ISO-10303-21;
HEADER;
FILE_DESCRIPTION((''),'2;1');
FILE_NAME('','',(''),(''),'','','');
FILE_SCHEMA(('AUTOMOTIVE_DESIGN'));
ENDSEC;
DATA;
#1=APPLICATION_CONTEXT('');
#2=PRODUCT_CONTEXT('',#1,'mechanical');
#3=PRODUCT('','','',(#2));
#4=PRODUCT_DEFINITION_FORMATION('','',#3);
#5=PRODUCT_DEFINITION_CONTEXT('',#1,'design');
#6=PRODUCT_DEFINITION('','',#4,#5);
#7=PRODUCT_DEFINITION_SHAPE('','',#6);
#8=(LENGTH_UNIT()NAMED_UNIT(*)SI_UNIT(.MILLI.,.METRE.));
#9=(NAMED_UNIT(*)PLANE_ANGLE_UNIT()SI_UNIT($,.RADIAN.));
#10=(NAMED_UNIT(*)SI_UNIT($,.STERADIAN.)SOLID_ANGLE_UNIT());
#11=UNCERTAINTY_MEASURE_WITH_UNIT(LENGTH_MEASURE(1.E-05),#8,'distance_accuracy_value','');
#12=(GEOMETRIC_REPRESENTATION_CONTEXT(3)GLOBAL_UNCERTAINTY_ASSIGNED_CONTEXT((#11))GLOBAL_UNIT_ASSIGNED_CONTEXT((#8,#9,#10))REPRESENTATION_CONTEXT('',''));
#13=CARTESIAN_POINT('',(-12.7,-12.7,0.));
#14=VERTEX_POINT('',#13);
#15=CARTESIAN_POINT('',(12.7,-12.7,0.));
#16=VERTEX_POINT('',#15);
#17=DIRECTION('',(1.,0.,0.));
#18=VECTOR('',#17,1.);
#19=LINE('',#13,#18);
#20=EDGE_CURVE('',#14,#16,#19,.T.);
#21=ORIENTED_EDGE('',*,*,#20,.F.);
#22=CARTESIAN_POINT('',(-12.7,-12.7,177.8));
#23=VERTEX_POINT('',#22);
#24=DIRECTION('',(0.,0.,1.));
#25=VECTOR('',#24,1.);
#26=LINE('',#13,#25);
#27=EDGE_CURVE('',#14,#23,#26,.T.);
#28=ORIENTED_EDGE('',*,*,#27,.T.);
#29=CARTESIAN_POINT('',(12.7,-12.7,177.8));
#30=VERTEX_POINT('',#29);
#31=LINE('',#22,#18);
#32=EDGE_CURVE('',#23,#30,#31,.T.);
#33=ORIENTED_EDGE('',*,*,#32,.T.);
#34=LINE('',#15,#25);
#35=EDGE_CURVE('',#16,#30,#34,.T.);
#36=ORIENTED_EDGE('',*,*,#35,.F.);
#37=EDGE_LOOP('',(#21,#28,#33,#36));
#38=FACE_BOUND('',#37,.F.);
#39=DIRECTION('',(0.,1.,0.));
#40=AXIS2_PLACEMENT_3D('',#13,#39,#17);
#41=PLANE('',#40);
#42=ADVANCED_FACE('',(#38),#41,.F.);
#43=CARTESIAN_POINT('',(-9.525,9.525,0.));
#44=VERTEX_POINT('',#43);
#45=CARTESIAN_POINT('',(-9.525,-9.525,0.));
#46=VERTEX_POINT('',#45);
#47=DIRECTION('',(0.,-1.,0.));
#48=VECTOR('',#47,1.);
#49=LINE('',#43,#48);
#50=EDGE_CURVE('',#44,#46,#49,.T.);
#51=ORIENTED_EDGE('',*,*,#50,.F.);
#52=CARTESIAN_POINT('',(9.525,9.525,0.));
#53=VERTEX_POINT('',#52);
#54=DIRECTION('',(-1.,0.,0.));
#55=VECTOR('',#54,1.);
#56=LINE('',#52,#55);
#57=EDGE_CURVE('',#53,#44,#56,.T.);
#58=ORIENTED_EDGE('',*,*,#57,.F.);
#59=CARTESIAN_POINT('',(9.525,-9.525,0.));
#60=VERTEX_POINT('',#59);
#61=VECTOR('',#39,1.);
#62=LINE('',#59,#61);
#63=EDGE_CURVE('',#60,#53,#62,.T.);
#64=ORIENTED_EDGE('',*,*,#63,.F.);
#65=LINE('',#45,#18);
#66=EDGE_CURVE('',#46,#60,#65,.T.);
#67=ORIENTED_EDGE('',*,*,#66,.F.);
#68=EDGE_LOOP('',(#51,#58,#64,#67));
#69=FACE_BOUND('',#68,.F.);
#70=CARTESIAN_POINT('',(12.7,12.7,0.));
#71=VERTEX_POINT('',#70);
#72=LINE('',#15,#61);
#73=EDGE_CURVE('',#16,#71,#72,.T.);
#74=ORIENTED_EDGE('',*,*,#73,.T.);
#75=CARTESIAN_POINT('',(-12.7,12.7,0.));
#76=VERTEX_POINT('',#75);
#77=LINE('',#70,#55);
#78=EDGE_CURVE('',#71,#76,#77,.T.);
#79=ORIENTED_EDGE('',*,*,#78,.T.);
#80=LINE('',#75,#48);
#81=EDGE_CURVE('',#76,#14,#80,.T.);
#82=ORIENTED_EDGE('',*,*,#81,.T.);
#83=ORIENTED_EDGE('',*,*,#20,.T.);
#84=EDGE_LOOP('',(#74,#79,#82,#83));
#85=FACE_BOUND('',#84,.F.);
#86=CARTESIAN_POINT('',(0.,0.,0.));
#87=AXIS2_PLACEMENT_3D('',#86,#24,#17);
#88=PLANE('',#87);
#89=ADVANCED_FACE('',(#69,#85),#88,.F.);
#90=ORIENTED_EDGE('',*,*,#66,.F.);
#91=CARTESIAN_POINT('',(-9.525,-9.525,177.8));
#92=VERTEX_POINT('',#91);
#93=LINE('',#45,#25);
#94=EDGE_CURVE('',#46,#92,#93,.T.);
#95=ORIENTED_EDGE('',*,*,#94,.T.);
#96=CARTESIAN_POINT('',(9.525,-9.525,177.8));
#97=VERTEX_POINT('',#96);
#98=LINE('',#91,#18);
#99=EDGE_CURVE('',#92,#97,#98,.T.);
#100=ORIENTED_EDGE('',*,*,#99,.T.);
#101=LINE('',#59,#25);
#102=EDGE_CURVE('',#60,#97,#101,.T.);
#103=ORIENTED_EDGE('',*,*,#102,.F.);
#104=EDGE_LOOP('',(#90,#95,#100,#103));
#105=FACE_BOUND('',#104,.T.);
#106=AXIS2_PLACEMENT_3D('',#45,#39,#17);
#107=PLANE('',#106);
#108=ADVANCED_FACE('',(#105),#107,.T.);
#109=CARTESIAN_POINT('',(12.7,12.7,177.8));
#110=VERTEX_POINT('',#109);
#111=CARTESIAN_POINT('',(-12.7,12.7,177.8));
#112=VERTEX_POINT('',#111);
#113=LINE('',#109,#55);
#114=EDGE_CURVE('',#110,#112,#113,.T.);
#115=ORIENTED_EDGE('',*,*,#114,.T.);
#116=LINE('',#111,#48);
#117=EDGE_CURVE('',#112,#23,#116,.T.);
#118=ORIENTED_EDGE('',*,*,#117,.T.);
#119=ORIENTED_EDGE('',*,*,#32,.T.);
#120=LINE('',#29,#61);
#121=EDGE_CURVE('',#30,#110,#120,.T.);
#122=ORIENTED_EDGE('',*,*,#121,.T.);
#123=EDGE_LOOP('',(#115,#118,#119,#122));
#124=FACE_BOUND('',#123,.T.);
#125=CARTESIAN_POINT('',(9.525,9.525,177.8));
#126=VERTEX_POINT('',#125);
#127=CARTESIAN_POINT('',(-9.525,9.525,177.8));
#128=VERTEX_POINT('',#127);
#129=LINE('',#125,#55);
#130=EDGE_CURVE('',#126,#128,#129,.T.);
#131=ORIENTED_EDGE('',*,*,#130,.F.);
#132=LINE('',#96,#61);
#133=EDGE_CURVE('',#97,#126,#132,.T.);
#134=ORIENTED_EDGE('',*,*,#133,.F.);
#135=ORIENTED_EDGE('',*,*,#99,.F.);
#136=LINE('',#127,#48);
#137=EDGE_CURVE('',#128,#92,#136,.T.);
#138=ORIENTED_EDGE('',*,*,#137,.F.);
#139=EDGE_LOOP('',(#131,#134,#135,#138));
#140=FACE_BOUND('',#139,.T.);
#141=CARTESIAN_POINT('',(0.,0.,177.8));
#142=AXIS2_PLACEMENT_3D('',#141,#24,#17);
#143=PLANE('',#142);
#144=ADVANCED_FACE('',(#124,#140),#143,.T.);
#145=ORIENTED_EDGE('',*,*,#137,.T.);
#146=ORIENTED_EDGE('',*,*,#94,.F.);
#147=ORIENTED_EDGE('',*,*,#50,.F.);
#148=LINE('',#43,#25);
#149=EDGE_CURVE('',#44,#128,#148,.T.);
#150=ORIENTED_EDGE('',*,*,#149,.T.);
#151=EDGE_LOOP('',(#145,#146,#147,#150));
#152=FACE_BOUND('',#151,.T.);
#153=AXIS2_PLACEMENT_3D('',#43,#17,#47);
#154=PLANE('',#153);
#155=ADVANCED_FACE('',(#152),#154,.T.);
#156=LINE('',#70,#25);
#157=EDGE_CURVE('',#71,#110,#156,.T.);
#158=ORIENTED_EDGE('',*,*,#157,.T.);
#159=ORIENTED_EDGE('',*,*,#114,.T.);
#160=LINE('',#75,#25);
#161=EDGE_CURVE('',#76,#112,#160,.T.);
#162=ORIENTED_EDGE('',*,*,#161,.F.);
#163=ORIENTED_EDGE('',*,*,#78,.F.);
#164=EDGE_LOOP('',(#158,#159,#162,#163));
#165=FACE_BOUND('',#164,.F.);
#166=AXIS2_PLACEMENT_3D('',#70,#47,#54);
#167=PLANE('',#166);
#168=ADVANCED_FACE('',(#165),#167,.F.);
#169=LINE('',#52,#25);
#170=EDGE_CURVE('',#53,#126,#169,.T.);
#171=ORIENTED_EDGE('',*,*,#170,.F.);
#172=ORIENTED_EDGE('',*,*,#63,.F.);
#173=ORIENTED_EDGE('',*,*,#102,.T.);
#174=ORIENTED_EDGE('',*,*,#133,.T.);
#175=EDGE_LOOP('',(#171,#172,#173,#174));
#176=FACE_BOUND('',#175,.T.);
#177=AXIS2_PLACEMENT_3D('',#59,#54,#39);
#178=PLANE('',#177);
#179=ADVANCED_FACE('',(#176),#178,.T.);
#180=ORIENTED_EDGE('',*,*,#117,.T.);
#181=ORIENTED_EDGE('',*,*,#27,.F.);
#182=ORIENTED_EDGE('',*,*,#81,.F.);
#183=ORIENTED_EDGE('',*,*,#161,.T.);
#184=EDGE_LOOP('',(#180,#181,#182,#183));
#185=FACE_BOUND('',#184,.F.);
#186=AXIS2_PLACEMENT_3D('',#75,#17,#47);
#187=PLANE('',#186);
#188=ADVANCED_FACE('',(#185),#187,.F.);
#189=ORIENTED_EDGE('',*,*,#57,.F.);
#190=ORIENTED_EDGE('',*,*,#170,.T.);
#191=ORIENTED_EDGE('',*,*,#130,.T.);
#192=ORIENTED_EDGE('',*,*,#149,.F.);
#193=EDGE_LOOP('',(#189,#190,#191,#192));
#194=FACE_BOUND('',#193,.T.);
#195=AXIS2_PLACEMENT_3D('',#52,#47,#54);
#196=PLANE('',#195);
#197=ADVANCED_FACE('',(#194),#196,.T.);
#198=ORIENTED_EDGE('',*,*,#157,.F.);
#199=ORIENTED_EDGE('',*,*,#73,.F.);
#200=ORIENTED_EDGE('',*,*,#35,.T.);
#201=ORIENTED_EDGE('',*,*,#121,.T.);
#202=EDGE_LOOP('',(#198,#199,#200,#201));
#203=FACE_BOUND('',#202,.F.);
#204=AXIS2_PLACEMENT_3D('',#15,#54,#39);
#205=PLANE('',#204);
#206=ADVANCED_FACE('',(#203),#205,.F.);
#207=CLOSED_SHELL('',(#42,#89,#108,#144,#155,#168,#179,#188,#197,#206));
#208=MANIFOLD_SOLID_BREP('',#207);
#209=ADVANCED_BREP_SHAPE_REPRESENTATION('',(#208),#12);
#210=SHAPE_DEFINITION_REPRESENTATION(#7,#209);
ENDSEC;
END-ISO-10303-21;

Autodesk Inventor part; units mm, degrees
ref_plane "YZ Plane" through (0, 0, 0) normal (1, 0, 0) x (0, 1, 0)
ref_plane "XZ Plane" through (0, 0, 0) normal (0, 1, 0) x (-1, 0, 0)
ref_plane "XY Plane" through (0, 0, 0) normal (0, 0, 1) x (1, 0, 0)
sketch "Sketch1" plane through (0, 0, 0) normal (0, 0, 1) x (1, 0, 0)
  line L0 (-12.7, -12.7) -> (12.7, -12.7)
  line L1 (12.7, -12.7) -> (12.7, 12.7)
  line L2 (12.7, 12.7) -> (-12.7, 12.7)
  line L3 (-12.7, 12.7) -> (-12.7, -12.7)
  line L4 (-9.525, -9.525) -> (9.525, -9.525)
  line L5 (9.525, -9.525) -> (9.525, 9.525)
  line L6 (9.525, 9.525) -> (-9.525, 9.525)
  line L7 (-9.525, 9.525) -> (-9.525, -9.525)
  point P0 (0, 0)
  dimension "d0" = 12.7
  dimension "d1" = 25.4
  dimension "d2" = 25.4
  dimension "d3" = 12.7
  dimension "d4" = 3.175
  dimension "d5" = 3.175
  dimension "d6" = 3.175
  dimension "d7" = 3.175
extrude "Extrusion1" add sketch "Sketch1" along normal blind 177.8
properties part number "Tube frame"
